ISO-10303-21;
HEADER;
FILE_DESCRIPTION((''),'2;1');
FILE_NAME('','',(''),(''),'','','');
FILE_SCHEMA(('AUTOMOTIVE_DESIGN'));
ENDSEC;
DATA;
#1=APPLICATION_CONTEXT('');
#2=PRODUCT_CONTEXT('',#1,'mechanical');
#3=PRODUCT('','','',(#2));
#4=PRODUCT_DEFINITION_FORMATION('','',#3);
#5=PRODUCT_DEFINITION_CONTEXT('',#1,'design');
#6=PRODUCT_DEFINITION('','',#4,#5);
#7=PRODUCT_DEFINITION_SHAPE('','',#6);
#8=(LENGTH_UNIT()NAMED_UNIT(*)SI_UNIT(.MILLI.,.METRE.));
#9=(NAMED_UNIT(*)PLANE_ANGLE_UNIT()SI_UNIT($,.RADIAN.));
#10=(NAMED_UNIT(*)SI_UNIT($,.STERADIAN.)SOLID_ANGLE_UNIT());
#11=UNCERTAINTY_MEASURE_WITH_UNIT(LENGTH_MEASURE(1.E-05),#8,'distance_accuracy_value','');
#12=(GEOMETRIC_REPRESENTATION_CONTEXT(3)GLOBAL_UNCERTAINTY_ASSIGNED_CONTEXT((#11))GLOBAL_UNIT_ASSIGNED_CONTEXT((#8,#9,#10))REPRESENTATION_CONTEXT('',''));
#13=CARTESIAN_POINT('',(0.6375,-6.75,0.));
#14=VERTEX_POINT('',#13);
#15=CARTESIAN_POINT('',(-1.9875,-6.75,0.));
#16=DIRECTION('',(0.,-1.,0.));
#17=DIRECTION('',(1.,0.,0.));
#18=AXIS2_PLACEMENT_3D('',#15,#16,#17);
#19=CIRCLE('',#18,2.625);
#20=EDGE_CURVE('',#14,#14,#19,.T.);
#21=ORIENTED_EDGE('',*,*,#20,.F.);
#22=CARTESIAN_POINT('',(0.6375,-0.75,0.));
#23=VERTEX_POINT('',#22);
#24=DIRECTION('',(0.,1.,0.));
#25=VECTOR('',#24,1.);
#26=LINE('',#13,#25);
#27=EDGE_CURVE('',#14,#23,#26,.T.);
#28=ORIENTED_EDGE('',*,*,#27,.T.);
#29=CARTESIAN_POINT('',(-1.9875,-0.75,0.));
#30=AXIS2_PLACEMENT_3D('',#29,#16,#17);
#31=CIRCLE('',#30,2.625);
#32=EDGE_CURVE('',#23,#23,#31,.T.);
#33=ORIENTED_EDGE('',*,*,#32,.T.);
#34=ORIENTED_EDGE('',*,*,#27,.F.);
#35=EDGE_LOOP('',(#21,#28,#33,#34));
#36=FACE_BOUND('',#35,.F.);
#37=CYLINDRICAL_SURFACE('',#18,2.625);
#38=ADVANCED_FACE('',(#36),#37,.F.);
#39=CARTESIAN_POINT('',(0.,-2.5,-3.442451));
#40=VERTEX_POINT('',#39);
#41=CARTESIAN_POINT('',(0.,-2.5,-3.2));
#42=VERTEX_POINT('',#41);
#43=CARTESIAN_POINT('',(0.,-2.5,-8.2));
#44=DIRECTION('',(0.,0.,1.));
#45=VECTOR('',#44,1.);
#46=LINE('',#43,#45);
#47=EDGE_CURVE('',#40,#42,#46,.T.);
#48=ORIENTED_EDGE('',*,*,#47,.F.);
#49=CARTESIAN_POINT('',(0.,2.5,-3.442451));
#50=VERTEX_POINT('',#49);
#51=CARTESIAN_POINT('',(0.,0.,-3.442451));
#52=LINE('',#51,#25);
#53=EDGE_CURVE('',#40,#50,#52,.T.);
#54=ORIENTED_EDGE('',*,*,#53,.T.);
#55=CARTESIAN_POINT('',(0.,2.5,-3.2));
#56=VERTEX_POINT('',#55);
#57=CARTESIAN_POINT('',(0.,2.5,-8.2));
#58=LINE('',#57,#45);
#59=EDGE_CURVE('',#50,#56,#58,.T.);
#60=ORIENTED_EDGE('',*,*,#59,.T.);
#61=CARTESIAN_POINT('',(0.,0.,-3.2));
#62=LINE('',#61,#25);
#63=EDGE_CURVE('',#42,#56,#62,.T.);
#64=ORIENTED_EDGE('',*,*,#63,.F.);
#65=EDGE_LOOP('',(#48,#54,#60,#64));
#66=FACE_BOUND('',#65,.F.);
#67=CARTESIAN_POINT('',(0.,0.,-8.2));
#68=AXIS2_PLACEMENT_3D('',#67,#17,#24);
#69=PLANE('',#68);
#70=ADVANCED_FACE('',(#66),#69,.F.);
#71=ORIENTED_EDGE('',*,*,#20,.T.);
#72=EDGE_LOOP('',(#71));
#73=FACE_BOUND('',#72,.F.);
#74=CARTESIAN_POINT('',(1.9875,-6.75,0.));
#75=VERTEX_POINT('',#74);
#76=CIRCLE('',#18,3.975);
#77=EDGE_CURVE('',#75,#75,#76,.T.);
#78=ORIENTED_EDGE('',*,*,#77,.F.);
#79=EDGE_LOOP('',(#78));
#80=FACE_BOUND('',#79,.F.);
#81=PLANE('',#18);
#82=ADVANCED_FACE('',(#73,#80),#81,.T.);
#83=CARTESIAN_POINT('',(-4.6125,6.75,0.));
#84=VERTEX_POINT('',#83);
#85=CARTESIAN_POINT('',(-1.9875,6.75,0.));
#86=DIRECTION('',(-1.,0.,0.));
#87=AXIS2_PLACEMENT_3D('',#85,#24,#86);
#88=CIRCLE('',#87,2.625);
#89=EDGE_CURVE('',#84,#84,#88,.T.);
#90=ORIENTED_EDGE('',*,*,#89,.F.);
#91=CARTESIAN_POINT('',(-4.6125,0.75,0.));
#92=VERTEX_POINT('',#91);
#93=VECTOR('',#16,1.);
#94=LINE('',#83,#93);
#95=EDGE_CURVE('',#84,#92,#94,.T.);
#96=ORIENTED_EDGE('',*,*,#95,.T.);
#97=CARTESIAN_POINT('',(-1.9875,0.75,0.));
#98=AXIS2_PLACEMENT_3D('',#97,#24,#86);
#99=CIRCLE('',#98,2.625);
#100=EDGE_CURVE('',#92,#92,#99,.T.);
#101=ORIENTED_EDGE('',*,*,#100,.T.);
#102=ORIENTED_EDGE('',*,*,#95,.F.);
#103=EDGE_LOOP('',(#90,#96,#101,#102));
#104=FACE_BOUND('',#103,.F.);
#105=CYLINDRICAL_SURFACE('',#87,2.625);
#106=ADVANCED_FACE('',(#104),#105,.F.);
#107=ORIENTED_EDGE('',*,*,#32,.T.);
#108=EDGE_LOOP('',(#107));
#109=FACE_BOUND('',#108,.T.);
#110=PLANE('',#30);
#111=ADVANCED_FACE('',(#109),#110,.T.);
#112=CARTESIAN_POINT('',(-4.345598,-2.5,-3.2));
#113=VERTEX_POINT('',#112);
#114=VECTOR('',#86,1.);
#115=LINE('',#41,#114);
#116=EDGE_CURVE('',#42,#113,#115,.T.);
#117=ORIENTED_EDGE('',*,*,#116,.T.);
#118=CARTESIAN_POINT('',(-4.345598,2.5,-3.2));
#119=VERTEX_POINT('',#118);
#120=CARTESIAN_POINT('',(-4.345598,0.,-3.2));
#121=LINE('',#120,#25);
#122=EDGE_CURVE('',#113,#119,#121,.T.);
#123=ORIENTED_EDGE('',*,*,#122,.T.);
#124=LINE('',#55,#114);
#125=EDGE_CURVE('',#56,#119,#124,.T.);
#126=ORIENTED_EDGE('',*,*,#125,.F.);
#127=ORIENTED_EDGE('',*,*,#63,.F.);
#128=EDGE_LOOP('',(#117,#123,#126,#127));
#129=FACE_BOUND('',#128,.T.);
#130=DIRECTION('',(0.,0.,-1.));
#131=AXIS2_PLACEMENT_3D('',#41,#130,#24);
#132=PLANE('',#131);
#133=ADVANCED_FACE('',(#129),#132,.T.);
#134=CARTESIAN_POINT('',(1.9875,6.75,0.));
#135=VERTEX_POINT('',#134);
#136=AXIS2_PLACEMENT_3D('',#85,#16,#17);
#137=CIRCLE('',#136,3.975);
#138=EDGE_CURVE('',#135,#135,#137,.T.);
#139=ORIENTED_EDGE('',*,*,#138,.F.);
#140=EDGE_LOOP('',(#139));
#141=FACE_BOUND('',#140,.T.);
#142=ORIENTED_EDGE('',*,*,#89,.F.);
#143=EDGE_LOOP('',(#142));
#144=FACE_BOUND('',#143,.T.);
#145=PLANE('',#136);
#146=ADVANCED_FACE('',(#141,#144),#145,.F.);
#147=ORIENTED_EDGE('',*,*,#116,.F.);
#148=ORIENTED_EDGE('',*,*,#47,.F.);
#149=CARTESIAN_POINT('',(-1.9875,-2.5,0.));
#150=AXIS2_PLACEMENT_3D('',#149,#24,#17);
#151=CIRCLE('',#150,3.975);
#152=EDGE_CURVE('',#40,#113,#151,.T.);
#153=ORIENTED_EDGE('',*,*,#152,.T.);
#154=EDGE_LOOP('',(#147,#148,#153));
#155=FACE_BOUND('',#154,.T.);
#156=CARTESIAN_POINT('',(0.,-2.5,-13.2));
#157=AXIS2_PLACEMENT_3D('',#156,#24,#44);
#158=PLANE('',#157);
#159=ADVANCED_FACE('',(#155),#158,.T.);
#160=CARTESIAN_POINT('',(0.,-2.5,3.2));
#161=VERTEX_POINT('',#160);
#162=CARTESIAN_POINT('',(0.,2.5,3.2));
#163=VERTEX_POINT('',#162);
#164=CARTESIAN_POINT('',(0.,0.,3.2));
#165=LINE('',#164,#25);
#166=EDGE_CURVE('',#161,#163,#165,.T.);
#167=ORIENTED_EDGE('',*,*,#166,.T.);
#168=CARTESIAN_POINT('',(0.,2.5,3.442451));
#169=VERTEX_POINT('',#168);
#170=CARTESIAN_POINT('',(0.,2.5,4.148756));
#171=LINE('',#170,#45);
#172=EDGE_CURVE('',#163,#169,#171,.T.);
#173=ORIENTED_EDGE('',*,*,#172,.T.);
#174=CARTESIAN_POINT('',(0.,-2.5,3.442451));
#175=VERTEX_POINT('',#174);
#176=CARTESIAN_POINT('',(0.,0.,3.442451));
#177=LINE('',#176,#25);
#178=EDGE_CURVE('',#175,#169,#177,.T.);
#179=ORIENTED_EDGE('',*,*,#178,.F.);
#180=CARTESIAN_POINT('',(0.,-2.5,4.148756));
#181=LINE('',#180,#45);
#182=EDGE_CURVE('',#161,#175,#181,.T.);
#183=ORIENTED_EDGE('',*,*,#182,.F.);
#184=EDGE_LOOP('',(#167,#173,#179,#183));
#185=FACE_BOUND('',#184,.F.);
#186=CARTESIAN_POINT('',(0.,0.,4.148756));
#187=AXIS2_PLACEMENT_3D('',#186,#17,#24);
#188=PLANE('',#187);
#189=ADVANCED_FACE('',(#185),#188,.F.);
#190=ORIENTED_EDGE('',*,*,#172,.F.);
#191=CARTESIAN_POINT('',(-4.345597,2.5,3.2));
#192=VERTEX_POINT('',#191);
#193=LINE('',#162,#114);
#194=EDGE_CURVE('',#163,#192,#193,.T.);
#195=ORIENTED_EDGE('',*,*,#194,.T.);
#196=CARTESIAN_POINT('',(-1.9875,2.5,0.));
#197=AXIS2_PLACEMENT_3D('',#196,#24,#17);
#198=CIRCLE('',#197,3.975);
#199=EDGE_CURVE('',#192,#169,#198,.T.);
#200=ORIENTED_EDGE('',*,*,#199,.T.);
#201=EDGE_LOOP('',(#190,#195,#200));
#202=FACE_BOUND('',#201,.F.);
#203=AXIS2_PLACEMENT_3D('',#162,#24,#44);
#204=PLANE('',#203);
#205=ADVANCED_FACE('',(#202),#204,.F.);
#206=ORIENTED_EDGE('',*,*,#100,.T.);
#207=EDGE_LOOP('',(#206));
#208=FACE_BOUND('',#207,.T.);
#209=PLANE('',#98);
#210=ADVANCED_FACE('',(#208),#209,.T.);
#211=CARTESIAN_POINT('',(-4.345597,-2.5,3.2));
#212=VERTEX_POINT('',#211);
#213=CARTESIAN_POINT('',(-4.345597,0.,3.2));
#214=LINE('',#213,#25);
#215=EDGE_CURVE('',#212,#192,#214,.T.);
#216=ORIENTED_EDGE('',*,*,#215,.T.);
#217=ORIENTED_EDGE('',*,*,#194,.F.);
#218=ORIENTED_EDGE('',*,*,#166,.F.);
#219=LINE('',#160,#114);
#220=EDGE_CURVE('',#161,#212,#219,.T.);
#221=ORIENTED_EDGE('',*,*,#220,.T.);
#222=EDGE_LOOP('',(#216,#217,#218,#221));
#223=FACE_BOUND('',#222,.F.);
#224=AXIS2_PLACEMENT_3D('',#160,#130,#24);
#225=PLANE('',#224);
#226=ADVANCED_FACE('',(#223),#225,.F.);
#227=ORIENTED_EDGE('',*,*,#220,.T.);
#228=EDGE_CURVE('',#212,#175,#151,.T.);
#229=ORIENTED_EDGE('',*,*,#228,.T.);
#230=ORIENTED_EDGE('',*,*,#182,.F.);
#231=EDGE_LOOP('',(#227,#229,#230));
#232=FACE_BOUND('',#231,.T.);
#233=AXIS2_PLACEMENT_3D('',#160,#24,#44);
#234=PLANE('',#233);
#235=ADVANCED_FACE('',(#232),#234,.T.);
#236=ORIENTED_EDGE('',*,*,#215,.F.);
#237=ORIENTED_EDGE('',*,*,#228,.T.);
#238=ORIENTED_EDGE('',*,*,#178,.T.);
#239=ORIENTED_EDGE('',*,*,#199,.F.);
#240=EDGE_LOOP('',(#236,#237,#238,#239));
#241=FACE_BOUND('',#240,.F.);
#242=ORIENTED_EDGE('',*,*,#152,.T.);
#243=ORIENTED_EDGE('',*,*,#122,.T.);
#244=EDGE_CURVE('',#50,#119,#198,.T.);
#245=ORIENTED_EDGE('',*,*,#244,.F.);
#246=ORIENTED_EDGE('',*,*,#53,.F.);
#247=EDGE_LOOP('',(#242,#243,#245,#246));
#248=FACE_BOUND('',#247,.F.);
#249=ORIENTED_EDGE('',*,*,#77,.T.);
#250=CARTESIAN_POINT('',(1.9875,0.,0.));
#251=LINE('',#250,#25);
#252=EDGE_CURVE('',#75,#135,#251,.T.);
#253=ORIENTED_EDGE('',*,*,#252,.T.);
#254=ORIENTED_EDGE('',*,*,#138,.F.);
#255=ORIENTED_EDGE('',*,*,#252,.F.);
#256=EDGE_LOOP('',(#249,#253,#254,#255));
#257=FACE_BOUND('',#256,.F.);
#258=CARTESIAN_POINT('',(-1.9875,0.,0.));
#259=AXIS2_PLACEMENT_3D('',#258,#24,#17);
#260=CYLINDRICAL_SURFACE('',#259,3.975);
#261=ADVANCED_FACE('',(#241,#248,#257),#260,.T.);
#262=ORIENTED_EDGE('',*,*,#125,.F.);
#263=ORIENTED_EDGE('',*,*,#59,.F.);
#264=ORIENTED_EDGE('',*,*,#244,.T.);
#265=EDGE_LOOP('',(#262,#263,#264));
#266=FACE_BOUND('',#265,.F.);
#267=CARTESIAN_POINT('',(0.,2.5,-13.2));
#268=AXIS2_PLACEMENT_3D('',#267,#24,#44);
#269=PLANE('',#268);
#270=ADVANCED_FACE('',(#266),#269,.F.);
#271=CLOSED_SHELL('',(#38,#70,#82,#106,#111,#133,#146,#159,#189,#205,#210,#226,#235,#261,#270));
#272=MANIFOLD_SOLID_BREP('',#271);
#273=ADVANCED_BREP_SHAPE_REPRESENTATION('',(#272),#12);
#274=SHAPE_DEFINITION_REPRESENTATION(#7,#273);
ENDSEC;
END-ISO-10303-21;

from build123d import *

# Parameters (mm, degrees)
F0_W     = 3.975
F0_H     = 13.5
F2_W     = 5
F2_H     = 10
F2_H_2   = 1.897511
F3_DEPTH = 25
F4_R     = 2.625
F5_DEPTH = 6
F6_R     = 2.625
F7_DEPTH = 6


with BuildPart() as f1:
    # F0 (on Top) → F1 (revolve)
    with BuildSketch(Plane.XY):
        Rectangle(F0_W, F0_H)
    revolve(axis=Axis((-1.9875, 0, 0), (0, -1, 0)))

    # F2 (on Right) → F3 (cut)
    with BuildSketch(Plane.YZ):
        with Locations((0, -8.2)):
            Rectangle(F2_W, F2_H)
        with Locations((0, 4.148756)):
            Rectangle(F2_W, F2_H_2)
    extrude(amount=-F3_DEPTH, mode=Mode.SUBTRACT)

    # F4 (on face) → F5 (cut)
    with BuildSketch(Plane.XZ.offset(6.75)):
        with Locations((-1.9875, 0)):
            Circle(F4_R)
    extrude(amount=-F5_DEPTH, mode=Mode.SUBTRACT)

    # F6 (on face) → F7 (cut)
    with BuildSketch(Plane(origin=(0, 6.75, 0), x_dir=(-1, 0, 0), z_dir=(0, 1, 0))):
        with Locations((1.9875, 0)):
            Circle(F6_R)
    extrude(amount=-F7_DEPTH, mode=Mode.SUBTRACT)


solid = f1.part
